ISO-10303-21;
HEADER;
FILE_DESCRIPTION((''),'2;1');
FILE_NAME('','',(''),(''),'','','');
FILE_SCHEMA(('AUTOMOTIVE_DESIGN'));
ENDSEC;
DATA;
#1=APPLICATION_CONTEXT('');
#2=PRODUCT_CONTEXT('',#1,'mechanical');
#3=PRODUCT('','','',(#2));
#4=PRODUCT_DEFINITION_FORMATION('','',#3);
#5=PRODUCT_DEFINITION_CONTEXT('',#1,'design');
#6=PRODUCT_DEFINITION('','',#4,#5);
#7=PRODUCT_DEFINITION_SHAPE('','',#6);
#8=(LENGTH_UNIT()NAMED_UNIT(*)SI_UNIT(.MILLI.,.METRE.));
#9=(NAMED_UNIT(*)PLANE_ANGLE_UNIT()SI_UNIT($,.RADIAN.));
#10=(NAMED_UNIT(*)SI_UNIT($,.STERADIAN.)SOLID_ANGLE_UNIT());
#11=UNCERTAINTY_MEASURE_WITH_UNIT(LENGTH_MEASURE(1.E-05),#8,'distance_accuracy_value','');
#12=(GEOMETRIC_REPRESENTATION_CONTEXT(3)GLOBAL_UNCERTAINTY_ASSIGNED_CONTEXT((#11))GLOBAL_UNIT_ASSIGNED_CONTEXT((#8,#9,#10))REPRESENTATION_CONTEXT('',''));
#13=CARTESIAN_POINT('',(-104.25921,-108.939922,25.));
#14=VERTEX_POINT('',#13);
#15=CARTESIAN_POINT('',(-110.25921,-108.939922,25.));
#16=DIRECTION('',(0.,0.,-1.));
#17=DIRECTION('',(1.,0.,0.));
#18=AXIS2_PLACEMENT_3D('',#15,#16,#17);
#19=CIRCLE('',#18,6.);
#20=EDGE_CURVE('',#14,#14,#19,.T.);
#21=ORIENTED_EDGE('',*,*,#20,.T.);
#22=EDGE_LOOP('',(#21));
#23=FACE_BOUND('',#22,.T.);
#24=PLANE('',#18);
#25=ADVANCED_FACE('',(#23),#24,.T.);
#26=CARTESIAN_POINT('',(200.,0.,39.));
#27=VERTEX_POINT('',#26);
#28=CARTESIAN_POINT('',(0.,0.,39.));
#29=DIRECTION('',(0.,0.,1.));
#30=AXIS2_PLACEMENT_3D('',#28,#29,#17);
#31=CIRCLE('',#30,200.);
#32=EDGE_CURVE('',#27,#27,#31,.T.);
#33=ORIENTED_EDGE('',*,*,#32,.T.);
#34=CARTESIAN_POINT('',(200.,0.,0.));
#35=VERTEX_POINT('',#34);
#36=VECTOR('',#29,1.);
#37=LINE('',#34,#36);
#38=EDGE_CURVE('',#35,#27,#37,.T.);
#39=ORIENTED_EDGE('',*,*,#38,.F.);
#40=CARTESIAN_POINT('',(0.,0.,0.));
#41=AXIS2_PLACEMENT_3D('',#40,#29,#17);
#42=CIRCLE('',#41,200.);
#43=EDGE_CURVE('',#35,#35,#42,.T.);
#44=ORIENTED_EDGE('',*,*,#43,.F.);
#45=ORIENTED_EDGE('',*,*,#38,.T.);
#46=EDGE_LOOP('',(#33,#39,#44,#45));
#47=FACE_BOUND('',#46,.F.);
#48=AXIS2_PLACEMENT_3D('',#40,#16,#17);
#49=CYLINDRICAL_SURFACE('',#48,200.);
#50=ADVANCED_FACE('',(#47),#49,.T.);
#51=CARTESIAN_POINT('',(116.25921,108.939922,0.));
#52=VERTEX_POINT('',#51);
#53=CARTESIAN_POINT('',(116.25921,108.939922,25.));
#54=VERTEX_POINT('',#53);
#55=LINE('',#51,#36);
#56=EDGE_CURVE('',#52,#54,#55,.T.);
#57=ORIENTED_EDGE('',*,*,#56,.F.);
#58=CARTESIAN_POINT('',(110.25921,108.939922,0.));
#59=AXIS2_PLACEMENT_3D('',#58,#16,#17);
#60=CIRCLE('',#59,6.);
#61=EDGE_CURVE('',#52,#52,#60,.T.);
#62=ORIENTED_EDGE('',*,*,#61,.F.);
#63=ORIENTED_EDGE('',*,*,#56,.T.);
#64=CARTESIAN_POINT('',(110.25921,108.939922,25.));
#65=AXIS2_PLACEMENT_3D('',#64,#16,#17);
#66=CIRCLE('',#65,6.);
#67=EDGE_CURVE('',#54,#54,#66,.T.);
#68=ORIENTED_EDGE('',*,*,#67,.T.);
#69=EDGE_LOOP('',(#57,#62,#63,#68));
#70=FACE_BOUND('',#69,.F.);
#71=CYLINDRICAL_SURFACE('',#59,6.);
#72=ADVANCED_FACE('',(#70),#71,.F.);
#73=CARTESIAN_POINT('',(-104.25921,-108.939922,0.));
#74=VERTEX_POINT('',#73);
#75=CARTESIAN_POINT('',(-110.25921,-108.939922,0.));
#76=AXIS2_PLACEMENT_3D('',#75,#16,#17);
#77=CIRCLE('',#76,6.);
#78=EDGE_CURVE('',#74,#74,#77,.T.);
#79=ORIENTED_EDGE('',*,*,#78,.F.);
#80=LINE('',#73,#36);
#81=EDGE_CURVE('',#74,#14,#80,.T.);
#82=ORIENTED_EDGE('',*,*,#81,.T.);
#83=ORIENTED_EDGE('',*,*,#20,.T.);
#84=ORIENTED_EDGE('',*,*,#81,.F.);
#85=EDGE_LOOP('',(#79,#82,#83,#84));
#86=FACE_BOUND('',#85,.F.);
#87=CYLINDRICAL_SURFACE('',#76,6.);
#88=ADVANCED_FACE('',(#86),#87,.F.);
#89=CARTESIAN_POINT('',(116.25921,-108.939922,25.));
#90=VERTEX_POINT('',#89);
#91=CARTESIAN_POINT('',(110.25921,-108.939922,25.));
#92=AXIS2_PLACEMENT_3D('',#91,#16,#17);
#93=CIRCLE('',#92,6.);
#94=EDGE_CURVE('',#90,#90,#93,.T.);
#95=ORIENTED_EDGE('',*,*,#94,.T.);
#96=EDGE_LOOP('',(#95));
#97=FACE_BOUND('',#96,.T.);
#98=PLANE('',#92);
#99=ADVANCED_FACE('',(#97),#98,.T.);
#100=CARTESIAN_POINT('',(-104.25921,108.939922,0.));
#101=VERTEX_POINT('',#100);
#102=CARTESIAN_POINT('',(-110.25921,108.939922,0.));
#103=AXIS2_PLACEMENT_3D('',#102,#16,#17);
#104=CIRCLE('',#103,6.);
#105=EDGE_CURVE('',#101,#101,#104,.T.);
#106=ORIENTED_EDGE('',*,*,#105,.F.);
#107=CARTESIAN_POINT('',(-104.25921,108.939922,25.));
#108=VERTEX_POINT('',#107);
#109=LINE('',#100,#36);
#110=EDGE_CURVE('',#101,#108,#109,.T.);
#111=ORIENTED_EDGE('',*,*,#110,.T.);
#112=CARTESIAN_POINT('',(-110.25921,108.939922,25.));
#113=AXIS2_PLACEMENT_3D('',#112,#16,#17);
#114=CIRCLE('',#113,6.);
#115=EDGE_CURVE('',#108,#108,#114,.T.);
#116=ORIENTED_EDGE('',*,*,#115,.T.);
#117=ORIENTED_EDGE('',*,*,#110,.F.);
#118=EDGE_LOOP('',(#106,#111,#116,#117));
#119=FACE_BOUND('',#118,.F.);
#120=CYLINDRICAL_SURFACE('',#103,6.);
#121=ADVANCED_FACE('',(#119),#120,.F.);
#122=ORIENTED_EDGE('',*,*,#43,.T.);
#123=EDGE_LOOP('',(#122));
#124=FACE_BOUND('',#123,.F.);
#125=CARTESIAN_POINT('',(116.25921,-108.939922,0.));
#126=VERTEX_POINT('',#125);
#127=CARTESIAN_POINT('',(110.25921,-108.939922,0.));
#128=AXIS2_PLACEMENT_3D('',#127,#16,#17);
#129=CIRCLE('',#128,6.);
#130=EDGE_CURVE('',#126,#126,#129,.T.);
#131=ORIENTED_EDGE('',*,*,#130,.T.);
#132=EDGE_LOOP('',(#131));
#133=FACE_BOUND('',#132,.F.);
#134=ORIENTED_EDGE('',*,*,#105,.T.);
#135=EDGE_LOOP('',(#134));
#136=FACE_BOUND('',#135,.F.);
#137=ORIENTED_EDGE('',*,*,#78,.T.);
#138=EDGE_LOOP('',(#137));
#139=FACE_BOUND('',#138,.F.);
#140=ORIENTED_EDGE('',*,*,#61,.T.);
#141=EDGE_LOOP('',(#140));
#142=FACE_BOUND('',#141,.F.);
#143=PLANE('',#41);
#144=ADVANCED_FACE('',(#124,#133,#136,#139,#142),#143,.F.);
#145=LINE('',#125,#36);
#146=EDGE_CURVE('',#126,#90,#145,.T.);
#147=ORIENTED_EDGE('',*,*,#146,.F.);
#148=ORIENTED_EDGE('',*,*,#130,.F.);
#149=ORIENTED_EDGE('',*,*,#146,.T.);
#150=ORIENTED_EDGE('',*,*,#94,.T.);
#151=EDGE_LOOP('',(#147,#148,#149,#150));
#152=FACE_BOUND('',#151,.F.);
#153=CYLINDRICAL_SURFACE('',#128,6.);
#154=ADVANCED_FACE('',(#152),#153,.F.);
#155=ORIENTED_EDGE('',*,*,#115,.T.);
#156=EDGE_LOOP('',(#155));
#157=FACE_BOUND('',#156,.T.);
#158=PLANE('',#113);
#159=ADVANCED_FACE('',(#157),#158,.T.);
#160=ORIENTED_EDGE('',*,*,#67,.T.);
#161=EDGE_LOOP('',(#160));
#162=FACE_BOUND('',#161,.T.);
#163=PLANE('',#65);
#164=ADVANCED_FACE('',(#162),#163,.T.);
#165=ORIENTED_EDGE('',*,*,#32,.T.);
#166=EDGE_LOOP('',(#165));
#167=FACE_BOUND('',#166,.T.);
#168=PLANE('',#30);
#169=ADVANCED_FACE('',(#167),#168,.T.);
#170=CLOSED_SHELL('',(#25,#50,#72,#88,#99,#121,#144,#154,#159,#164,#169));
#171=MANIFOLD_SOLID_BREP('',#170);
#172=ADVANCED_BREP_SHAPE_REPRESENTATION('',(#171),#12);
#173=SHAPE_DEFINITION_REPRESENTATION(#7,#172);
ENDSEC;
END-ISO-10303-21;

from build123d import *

# Parameters (mm, degrees)
F0_R     = 200
F1_DEPTH = 39
F2_R     = 6
F3_DEPTH = 25


with BuildPart() as f1:
    # F0 (on Top) → F1 (new body)
    with BuildSketch(Plane.XY):
        Circle(F0_R)
    extrude(amount=F1_DEPTH)

    # F2 (on face) → F3 (cut)
    with BuildSketch(Plane(origin=(0, 0, 0), x_dir=(1, 0, 0), z_dir=(0, 0, -1))):
        with Locations((110.25921, 108.939922)):
            Circle(F2_R)
        with Locations((110.25921, -108.939922)):
            Circle(F2_R)
        with Locations((-110.25921, -108.939922)):
            Circle(F2_R)
        with Locations((-110.25921, 108.939922)):
            Circle(F2_R)
    extrude(amount=-F3_DEPTH, mode=Mode.SUBTRACT)


solid = f1.part
